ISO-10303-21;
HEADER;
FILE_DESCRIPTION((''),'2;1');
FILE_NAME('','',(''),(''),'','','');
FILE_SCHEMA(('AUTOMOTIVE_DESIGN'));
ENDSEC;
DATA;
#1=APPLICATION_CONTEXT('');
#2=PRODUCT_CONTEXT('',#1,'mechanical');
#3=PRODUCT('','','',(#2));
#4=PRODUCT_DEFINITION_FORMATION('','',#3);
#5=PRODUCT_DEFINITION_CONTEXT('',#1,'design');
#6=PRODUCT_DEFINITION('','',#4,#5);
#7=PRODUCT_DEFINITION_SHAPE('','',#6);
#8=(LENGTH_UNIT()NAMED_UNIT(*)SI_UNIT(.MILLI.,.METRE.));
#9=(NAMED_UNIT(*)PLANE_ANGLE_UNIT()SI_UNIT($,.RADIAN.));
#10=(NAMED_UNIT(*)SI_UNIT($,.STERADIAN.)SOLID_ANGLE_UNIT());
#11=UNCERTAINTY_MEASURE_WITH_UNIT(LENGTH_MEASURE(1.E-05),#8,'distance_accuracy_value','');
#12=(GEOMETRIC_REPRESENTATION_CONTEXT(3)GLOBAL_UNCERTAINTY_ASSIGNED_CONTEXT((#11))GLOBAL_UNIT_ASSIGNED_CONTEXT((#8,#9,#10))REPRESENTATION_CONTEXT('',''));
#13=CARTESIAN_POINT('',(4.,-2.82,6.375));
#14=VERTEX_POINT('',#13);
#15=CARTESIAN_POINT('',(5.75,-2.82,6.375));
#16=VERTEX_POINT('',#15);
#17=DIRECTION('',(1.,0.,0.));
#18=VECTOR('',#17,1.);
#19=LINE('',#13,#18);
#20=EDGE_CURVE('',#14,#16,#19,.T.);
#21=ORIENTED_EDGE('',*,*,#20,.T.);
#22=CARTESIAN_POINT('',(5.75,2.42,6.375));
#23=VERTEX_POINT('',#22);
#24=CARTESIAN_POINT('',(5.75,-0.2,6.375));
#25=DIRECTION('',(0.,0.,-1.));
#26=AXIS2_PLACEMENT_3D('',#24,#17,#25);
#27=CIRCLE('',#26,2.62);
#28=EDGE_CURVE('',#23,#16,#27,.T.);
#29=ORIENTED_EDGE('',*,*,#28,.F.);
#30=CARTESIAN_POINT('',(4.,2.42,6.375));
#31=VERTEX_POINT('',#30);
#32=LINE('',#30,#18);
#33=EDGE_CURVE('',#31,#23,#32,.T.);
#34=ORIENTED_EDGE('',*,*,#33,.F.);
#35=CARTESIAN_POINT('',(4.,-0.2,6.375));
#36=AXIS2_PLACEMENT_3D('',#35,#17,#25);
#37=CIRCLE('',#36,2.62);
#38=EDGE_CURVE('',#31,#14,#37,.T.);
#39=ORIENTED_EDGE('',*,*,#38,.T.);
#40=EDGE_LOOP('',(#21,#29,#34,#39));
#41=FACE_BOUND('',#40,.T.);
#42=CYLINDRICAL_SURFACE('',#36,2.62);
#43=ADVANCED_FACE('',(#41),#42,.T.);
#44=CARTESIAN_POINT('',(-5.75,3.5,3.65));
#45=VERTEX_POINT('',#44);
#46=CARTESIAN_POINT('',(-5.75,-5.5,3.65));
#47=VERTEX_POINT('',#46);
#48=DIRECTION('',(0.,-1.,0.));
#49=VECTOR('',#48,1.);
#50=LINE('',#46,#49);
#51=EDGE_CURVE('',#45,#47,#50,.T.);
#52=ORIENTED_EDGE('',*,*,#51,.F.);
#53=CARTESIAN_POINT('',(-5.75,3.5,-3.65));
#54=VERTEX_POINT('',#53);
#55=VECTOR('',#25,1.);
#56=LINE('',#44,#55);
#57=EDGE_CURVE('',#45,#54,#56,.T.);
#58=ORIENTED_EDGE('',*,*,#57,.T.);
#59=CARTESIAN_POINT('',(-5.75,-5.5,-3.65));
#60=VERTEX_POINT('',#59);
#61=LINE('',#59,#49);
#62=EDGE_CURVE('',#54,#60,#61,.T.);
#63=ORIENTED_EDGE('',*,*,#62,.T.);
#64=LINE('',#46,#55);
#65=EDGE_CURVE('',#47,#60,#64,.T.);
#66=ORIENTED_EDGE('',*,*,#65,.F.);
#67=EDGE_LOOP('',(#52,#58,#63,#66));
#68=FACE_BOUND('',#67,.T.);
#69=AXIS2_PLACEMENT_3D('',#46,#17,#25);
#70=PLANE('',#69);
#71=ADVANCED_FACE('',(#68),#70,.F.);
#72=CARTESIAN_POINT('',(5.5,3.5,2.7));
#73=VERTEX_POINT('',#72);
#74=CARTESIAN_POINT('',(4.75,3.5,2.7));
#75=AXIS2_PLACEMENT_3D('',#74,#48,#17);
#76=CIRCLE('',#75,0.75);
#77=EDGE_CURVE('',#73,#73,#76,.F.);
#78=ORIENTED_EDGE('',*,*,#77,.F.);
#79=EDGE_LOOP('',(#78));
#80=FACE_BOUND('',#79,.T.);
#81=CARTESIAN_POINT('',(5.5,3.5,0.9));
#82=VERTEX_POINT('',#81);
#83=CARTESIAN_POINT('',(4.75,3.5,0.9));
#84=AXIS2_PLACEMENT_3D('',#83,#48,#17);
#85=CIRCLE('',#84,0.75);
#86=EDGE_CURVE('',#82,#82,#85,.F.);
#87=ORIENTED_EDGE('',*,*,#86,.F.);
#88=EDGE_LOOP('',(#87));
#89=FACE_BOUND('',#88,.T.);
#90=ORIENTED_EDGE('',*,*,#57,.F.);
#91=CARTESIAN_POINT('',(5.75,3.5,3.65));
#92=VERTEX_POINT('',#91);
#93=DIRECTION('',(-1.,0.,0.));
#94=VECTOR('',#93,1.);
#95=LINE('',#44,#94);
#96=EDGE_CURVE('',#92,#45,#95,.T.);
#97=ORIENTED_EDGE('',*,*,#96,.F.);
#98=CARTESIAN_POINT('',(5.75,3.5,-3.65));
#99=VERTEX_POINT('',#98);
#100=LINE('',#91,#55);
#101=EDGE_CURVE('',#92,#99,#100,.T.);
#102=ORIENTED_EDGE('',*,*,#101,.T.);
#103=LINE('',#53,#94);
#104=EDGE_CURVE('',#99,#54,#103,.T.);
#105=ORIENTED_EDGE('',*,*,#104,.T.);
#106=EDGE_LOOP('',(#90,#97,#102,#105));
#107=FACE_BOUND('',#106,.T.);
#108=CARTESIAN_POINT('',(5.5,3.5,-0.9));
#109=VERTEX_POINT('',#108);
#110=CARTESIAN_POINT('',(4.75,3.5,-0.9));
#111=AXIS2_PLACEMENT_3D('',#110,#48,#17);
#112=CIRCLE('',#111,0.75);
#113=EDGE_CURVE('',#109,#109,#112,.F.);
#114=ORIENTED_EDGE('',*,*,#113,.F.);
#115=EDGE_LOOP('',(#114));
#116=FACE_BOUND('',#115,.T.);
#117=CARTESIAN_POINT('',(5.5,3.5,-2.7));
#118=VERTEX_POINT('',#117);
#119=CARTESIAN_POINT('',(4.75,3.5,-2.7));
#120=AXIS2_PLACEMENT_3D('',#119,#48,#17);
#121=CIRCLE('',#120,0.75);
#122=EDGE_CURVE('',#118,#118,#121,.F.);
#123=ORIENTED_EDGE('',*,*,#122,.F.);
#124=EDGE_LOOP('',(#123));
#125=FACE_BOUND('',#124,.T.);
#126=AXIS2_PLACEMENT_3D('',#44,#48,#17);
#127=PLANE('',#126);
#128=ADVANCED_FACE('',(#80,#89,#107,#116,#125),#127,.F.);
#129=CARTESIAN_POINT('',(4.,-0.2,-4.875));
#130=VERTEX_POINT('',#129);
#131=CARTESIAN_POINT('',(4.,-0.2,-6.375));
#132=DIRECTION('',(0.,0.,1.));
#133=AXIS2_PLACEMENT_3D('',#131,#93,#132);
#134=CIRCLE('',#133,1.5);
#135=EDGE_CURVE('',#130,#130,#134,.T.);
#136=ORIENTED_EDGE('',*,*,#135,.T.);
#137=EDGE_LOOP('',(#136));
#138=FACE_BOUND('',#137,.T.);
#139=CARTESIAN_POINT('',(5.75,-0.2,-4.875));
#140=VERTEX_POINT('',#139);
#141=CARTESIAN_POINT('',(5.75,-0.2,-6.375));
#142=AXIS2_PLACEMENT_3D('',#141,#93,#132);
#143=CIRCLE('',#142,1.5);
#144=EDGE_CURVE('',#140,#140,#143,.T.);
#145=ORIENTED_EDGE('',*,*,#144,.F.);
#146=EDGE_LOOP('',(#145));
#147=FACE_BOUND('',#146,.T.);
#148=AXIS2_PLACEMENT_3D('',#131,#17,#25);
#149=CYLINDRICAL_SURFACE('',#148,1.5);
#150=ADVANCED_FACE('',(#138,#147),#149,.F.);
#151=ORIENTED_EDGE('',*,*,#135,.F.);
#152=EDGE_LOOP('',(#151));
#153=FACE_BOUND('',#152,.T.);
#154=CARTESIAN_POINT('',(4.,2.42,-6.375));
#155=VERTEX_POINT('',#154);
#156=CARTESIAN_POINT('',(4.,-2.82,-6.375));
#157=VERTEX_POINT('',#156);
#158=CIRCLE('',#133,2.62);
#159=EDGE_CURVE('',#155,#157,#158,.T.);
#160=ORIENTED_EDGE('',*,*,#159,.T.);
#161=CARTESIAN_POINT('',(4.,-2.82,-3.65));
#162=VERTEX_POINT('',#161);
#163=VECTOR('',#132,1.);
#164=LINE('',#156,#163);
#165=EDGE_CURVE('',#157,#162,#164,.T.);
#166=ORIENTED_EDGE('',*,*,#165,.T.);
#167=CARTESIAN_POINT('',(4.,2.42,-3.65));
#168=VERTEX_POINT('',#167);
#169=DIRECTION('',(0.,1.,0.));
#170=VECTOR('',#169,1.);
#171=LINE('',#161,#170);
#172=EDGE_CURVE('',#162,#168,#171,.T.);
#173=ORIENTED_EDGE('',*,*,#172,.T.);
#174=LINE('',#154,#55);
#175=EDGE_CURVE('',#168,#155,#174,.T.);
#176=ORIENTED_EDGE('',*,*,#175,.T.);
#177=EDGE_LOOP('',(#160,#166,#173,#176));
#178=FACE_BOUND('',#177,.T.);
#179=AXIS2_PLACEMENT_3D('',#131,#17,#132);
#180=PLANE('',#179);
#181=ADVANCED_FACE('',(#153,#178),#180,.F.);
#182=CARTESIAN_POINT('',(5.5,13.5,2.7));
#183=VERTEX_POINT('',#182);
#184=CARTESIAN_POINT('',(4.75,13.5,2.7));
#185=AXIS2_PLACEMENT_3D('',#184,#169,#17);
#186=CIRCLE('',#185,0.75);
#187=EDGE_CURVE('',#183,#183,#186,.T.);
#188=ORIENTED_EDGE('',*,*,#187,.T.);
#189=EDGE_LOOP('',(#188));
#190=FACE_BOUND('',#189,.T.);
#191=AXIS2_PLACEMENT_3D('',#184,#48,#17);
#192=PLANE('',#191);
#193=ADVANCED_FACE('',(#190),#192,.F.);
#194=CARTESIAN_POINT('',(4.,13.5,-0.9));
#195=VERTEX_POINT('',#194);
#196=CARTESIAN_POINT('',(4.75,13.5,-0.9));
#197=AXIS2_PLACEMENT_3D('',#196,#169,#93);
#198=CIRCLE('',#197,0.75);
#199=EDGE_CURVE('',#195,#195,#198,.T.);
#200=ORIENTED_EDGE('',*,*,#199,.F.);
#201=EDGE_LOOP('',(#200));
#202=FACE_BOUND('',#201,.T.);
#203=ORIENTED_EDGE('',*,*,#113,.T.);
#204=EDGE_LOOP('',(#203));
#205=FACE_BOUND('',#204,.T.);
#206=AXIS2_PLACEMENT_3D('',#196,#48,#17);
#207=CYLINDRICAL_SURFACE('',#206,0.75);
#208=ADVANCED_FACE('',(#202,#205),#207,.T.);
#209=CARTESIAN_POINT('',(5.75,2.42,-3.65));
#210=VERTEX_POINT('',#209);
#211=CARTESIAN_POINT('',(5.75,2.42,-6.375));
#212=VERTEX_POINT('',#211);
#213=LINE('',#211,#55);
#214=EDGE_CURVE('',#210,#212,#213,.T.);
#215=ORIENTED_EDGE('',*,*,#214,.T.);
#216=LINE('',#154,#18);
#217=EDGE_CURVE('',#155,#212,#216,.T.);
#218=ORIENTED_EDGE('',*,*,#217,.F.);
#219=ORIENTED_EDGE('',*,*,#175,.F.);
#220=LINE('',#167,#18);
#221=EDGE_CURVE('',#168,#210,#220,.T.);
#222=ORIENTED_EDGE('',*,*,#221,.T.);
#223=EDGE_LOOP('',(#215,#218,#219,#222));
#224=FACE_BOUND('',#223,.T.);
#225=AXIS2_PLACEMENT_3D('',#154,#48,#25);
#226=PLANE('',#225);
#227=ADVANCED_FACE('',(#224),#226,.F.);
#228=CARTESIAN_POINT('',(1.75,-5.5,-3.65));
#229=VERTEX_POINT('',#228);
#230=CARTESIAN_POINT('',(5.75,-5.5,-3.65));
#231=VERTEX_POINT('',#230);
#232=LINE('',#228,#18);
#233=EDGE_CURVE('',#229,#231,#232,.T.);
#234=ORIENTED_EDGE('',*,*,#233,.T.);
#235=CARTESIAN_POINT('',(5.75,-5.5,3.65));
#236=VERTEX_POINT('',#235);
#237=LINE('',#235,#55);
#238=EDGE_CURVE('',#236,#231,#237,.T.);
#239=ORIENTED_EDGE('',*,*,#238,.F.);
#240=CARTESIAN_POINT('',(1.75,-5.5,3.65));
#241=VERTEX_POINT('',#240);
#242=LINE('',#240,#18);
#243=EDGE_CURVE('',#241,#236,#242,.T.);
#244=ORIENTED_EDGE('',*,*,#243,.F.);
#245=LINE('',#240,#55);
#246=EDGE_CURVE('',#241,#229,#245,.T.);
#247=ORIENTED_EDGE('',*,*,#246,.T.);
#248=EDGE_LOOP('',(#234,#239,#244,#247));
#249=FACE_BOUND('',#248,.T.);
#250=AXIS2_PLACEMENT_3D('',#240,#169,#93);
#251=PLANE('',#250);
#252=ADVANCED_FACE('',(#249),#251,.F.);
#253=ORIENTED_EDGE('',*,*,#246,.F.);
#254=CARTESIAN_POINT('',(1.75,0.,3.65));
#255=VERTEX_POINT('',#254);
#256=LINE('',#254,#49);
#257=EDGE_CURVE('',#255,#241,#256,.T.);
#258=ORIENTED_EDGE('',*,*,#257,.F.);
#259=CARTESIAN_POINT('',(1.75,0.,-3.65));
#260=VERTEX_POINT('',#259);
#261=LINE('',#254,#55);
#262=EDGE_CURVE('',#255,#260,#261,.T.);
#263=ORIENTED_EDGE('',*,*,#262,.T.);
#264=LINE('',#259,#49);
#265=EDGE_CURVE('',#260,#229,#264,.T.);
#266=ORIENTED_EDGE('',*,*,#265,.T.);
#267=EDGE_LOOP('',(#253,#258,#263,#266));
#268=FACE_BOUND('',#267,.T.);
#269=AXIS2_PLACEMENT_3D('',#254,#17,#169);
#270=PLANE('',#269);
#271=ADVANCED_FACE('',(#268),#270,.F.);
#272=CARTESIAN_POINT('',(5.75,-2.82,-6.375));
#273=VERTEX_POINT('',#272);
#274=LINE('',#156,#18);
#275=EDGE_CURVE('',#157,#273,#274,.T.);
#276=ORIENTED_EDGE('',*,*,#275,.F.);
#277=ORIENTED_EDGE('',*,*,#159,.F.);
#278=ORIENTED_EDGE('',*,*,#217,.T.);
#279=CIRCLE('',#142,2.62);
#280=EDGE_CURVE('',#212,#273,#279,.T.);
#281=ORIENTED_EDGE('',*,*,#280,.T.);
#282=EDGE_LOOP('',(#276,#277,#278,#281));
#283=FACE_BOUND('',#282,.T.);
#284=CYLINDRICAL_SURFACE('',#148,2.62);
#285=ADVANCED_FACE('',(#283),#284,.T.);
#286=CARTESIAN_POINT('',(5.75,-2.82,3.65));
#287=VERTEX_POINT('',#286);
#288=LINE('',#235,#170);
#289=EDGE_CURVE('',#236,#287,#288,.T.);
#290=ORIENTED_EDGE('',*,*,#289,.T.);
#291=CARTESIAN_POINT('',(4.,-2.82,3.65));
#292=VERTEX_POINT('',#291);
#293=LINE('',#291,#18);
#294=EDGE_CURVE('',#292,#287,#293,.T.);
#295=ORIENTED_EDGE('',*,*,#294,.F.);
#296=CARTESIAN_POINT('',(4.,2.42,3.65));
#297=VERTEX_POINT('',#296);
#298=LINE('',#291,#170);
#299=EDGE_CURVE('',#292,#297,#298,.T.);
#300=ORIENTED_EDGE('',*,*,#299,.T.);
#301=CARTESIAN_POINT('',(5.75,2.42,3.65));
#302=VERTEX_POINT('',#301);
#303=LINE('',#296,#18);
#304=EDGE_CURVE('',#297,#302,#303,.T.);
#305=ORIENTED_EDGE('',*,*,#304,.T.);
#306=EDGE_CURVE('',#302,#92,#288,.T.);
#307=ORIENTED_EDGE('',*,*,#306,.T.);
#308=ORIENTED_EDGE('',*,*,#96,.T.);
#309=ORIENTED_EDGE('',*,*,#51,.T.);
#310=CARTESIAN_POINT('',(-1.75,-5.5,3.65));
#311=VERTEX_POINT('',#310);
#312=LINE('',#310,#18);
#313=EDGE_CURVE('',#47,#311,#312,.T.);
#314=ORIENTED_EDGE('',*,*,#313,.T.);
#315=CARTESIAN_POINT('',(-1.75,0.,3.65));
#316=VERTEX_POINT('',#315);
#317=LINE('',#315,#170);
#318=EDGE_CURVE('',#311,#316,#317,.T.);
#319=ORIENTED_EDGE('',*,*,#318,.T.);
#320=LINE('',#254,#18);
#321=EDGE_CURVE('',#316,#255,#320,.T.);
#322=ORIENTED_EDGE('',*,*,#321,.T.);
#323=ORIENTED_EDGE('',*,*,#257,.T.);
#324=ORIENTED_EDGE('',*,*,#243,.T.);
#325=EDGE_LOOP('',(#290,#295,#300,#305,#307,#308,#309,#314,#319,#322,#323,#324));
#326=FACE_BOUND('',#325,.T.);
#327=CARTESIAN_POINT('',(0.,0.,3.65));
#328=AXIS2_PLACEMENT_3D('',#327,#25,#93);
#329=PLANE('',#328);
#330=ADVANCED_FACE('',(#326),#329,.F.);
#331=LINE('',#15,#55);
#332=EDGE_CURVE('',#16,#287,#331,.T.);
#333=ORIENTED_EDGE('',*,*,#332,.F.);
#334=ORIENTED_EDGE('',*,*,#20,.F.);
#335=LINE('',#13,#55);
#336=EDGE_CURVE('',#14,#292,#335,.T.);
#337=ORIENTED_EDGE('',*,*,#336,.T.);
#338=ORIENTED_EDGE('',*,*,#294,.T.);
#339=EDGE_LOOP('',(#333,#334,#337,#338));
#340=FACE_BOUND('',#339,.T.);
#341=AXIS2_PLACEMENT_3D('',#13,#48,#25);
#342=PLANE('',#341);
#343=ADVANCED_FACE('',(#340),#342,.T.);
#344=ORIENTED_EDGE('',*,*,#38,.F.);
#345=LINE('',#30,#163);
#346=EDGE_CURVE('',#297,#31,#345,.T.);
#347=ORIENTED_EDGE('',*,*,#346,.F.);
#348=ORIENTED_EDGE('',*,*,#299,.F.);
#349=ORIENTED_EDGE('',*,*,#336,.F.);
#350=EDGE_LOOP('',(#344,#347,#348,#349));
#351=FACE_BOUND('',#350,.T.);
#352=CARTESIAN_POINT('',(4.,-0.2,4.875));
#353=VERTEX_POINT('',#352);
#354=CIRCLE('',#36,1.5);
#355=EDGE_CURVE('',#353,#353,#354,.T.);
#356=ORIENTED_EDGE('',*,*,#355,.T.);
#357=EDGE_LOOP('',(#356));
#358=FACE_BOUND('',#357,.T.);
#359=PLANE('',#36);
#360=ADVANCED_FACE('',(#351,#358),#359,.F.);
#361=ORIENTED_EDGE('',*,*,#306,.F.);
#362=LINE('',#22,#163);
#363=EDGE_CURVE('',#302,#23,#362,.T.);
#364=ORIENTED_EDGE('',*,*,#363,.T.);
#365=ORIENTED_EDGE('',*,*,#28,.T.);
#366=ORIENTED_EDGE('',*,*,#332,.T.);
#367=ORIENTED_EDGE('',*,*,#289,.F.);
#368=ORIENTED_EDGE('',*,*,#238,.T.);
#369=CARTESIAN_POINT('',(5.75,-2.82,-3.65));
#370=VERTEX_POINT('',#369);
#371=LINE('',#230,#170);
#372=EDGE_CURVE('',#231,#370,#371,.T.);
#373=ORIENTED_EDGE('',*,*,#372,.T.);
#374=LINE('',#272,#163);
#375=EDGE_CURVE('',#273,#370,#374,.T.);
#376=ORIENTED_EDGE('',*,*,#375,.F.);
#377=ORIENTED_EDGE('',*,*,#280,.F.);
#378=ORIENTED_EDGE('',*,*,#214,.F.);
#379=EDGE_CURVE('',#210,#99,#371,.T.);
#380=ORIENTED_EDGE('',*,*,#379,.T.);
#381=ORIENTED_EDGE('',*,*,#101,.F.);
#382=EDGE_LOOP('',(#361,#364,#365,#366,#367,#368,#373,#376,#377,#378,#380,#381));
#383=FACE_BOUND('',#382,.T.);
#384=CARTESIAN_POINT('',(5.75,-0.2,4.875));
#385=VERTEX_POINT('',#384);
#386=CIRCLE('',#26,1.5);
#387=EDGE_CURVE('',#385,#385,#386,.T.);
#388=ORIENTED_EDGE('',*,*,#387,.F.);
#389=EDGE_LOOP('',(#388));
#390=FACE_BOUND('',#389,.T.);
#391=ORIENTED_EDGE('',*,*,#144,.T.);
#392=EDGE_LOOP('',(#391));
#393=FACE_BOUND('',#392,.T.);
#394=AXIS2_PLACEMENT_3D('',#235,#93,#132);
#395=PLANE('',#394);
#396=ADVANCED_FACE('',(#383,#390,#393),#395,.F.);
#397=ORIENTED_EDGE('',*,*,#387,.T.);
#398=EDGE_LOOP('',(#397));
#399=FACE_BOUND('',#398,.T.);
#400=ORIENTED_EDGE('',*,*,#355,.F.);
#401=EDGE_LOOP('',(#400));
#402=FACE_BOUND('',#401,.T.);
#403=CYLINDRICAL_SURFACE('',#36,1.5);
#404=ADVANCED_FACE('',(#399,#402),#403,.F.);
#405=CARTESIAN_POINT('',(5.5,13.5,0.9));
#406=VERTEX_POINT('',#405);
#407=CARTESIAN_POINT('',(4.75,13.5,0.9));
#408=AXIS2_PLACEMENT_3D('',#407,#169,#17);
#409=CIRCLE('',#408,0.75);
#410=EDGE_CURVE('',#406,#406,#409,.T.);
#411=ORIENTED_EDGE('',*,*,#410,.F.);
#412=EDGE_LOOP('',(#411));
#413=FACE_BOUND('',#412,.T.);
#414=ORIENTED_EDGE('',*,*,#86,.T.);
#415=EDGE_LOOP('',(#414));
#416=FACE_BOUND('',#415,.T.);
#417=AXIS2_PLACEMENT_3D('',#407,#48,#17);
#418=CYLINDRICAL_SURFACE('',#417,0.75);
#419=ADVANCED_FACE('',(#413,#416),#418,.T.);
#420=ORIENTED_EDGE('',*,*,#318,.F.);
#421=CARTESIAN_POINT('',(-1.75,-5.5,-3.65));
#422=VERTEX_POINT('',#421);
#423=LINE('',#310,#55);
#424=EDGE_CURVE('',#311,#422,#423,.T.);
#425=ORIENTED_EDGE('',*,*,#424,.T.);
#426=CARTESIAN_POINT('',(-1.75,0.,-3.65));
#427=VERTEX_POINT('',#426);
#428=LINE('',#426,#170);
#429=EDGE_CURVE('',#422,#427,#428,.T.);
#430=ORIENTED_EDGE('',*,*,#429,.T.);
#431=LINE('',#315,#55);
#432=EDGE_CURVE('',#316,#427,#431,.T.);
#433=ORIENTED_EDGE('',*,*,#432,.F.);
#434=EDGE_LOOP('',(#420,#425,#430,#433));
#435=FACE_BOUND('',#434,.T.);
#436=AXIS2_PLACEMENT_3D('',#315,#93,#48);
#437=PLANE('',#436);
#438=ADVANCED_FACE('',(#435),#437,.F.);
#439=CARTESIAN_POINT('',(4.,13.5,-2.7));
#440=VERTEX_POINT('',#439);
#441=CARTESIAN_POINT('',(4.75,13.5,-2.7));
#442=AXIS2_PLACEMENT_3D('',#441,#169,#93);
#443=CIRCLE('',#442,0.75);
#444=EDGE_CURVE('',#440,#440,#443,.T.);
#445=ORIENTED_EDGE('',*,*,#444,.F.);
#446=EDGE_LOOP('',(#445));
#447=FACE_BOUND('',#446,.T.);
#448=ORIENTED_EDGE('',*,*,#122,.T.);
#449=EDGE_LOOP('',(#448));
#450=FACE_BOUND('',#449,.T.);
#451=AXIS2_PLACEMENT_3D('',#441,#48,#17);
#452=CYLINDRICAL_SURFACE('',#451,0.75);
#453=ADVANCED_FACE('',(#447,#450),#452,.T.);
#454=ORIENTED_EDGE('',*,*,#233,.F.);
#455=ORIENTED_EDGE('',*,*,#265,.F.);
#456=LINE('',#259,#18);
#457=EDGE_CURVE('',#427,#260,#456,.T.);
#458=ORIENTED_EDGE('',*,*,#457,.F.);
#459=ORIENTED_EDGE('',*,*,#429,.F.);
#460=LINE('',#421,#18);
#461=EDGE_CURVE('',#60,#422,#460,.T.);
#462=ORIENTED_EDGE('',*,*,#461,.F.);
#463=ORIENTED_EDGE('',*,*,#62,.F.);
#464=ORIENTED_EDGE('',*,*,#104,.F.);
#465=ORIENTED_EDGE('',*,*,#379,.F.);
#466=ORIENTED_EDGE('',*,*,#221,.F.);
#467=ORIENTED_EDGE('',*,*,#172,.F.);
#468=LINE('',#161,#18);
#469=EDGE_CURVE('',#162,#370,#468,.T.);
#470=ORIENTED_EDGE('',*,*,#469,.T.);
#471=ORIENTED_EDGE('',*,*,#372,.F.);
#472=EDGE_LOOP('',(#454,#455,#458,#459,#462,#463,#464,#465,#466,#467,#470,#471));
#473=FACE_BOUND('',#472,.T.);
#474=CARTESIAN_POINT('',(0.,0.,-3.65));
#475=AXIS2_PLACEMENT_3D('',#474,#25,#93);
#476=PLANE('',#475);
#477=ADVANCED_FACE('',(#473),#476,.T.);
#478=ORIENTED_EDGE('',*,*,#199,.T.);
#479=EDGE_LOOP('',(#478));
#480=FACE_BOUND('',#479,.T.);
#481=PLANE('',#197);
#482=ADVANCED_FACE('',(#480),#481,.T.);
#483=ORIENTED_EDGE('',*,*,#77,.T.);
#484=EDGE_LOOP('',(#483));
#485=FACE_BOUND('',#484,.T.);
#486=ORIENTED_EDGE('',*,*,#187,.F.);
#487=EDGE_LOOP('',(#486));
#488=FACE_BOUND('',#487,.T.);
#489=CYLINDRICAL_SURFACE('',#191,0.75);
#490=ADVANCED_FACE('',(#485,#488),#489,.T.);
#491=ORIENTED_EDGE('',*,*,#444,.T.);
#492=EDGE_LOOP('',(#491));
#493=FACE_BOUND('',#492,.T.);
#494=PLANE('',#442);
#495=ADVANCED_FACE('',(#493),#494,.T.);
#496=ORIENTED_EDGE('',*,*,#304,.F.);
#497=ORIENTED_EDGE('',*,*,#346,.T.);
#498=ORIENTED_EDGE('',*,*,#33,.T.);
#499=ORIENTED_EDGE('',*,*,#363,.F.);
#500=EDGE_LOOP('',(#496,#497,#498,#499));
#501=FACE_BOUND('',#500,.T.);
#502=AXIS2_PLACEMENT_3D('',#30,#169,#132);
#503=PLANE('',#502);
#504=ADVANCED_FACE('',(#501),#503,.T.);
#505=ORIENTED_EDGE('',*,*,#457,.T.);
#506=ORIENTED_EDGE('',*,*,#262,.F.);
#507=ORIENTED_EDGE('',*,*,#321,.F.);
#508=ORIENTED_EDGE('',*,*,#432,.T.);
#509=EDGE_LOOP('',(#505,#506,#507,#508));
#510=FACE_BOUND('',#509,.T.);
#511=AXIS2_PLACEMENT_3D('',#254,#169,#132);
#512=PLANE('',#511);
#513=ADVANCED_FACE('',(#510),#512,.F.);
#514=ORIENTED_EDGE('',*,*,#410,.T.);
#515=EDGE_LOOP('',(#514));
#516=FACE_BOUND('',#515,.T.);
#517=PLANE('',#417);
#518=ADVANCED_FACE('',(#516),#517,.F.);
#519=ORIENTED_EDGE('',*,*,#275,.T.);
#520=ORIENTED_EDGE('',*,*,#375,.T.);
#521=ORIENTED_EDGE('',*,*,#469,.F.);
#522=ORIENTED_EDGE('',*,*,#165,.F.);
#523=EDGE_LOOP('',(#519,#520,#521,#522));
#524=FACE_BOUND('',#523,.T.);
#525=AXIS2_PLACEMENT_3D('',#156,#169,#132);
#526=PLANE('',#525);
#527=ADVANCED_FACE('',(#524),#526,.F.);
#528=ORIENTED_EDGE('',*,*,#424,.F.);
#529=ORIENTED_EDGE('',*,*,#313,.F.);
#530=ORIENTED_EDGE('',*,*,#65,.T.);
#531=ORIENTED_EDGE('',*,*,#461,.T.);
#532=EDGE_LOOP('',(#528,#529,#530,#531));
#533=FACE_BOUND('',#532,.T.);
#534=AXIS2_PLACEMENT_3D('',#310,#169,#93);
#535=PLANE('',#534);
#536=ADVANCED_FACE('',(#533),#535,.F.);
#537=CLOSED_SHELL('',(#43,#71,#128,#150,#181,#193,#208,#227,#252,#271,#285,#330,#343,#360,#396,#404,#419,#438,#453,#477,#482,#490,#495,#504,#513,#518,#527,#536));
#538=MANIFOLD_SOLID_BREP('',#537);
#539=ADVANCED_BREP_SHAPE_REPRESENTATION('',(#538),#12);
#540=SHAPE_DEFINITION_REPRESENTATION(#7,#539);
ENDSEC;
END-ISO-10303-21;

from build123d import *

# Parameters (mm, degrees)
BOSS_EXTRU_1_DEPTH = 3.65
ESQUISSE2_R        = 1.5
BOSS_EXTRU_2_DEPTH = 1.75
ESQUISSE3_R        = 0.75
BOSS_EXTRU_3_DEPTH = 10


with BuildPart() as part:
    # Esquisse1 → Boss.-Extru.1 (new, symmetric)
    with BuildSketch(Plane.XY):
        Polygon((1.75, 0), (-1.75, 0), (-1.75, -5.5), (-5.75, -5.5), (-5.75, 3.5), (5.75, 3.5), (5.75, -5.5), (1.75, -5.5), align=None)
    extrude(amount=BOSS_EXTRU_1_DEPTH, both=True)

    # Esquisse2 → Boss.-Extru.2 (add)
    with BuildSketch(Plane(origin=(5.75, 0, 0), x_dir=(0, 0, -1), z_dir=(1, 0, 0))):
        with BuildLine():
            Line((-6.375, 2.42), (-3.65, 2.42))
            Line((-3.65, 2.42), (-3.65, -2.82))
            Line((-3.65, -2.82), (-6.375, -2.82))
            ThreePointArc((-6.375, -2.82), (-8.995, -0.2), (-6.375, 2.42))
        make_face()
        with Locations((-6.375, -0.2)):
            Circle(ESQUISSE2_R, mode=Mode.SUBTRACT)
    boss_extru_2 = extrude(amount=-BOSS_EXTRU_2_DEPTH)

    # Symétrie1: Boss.-Extru.2 across plane
    add(boss_extru_2.mirror(Plane.XY))

    # Esquisse3 → Boss.-Extru.3 (add)
    with BuildSketch(Plane(origin=(0, 3.5, 0), x_dir=(1, 0, 0), z_dir=(0, 1, 0))):
        with Locations((4.75, 2.7)):
            Circle(ESQUISSE3_R)
        with Locations((4.75, 0.9)):
            Circle(ESQUISSE3_R)
        with Locations((4.75, -0.9)):
            Circle(ESQUISSE3_R)
        with Locations((4.75, -2.7)):
            Circle(ESQUISSE3_R)
    extrude(amount=BOSS_EXTRU_3_DEPTH)


solid = part.part
